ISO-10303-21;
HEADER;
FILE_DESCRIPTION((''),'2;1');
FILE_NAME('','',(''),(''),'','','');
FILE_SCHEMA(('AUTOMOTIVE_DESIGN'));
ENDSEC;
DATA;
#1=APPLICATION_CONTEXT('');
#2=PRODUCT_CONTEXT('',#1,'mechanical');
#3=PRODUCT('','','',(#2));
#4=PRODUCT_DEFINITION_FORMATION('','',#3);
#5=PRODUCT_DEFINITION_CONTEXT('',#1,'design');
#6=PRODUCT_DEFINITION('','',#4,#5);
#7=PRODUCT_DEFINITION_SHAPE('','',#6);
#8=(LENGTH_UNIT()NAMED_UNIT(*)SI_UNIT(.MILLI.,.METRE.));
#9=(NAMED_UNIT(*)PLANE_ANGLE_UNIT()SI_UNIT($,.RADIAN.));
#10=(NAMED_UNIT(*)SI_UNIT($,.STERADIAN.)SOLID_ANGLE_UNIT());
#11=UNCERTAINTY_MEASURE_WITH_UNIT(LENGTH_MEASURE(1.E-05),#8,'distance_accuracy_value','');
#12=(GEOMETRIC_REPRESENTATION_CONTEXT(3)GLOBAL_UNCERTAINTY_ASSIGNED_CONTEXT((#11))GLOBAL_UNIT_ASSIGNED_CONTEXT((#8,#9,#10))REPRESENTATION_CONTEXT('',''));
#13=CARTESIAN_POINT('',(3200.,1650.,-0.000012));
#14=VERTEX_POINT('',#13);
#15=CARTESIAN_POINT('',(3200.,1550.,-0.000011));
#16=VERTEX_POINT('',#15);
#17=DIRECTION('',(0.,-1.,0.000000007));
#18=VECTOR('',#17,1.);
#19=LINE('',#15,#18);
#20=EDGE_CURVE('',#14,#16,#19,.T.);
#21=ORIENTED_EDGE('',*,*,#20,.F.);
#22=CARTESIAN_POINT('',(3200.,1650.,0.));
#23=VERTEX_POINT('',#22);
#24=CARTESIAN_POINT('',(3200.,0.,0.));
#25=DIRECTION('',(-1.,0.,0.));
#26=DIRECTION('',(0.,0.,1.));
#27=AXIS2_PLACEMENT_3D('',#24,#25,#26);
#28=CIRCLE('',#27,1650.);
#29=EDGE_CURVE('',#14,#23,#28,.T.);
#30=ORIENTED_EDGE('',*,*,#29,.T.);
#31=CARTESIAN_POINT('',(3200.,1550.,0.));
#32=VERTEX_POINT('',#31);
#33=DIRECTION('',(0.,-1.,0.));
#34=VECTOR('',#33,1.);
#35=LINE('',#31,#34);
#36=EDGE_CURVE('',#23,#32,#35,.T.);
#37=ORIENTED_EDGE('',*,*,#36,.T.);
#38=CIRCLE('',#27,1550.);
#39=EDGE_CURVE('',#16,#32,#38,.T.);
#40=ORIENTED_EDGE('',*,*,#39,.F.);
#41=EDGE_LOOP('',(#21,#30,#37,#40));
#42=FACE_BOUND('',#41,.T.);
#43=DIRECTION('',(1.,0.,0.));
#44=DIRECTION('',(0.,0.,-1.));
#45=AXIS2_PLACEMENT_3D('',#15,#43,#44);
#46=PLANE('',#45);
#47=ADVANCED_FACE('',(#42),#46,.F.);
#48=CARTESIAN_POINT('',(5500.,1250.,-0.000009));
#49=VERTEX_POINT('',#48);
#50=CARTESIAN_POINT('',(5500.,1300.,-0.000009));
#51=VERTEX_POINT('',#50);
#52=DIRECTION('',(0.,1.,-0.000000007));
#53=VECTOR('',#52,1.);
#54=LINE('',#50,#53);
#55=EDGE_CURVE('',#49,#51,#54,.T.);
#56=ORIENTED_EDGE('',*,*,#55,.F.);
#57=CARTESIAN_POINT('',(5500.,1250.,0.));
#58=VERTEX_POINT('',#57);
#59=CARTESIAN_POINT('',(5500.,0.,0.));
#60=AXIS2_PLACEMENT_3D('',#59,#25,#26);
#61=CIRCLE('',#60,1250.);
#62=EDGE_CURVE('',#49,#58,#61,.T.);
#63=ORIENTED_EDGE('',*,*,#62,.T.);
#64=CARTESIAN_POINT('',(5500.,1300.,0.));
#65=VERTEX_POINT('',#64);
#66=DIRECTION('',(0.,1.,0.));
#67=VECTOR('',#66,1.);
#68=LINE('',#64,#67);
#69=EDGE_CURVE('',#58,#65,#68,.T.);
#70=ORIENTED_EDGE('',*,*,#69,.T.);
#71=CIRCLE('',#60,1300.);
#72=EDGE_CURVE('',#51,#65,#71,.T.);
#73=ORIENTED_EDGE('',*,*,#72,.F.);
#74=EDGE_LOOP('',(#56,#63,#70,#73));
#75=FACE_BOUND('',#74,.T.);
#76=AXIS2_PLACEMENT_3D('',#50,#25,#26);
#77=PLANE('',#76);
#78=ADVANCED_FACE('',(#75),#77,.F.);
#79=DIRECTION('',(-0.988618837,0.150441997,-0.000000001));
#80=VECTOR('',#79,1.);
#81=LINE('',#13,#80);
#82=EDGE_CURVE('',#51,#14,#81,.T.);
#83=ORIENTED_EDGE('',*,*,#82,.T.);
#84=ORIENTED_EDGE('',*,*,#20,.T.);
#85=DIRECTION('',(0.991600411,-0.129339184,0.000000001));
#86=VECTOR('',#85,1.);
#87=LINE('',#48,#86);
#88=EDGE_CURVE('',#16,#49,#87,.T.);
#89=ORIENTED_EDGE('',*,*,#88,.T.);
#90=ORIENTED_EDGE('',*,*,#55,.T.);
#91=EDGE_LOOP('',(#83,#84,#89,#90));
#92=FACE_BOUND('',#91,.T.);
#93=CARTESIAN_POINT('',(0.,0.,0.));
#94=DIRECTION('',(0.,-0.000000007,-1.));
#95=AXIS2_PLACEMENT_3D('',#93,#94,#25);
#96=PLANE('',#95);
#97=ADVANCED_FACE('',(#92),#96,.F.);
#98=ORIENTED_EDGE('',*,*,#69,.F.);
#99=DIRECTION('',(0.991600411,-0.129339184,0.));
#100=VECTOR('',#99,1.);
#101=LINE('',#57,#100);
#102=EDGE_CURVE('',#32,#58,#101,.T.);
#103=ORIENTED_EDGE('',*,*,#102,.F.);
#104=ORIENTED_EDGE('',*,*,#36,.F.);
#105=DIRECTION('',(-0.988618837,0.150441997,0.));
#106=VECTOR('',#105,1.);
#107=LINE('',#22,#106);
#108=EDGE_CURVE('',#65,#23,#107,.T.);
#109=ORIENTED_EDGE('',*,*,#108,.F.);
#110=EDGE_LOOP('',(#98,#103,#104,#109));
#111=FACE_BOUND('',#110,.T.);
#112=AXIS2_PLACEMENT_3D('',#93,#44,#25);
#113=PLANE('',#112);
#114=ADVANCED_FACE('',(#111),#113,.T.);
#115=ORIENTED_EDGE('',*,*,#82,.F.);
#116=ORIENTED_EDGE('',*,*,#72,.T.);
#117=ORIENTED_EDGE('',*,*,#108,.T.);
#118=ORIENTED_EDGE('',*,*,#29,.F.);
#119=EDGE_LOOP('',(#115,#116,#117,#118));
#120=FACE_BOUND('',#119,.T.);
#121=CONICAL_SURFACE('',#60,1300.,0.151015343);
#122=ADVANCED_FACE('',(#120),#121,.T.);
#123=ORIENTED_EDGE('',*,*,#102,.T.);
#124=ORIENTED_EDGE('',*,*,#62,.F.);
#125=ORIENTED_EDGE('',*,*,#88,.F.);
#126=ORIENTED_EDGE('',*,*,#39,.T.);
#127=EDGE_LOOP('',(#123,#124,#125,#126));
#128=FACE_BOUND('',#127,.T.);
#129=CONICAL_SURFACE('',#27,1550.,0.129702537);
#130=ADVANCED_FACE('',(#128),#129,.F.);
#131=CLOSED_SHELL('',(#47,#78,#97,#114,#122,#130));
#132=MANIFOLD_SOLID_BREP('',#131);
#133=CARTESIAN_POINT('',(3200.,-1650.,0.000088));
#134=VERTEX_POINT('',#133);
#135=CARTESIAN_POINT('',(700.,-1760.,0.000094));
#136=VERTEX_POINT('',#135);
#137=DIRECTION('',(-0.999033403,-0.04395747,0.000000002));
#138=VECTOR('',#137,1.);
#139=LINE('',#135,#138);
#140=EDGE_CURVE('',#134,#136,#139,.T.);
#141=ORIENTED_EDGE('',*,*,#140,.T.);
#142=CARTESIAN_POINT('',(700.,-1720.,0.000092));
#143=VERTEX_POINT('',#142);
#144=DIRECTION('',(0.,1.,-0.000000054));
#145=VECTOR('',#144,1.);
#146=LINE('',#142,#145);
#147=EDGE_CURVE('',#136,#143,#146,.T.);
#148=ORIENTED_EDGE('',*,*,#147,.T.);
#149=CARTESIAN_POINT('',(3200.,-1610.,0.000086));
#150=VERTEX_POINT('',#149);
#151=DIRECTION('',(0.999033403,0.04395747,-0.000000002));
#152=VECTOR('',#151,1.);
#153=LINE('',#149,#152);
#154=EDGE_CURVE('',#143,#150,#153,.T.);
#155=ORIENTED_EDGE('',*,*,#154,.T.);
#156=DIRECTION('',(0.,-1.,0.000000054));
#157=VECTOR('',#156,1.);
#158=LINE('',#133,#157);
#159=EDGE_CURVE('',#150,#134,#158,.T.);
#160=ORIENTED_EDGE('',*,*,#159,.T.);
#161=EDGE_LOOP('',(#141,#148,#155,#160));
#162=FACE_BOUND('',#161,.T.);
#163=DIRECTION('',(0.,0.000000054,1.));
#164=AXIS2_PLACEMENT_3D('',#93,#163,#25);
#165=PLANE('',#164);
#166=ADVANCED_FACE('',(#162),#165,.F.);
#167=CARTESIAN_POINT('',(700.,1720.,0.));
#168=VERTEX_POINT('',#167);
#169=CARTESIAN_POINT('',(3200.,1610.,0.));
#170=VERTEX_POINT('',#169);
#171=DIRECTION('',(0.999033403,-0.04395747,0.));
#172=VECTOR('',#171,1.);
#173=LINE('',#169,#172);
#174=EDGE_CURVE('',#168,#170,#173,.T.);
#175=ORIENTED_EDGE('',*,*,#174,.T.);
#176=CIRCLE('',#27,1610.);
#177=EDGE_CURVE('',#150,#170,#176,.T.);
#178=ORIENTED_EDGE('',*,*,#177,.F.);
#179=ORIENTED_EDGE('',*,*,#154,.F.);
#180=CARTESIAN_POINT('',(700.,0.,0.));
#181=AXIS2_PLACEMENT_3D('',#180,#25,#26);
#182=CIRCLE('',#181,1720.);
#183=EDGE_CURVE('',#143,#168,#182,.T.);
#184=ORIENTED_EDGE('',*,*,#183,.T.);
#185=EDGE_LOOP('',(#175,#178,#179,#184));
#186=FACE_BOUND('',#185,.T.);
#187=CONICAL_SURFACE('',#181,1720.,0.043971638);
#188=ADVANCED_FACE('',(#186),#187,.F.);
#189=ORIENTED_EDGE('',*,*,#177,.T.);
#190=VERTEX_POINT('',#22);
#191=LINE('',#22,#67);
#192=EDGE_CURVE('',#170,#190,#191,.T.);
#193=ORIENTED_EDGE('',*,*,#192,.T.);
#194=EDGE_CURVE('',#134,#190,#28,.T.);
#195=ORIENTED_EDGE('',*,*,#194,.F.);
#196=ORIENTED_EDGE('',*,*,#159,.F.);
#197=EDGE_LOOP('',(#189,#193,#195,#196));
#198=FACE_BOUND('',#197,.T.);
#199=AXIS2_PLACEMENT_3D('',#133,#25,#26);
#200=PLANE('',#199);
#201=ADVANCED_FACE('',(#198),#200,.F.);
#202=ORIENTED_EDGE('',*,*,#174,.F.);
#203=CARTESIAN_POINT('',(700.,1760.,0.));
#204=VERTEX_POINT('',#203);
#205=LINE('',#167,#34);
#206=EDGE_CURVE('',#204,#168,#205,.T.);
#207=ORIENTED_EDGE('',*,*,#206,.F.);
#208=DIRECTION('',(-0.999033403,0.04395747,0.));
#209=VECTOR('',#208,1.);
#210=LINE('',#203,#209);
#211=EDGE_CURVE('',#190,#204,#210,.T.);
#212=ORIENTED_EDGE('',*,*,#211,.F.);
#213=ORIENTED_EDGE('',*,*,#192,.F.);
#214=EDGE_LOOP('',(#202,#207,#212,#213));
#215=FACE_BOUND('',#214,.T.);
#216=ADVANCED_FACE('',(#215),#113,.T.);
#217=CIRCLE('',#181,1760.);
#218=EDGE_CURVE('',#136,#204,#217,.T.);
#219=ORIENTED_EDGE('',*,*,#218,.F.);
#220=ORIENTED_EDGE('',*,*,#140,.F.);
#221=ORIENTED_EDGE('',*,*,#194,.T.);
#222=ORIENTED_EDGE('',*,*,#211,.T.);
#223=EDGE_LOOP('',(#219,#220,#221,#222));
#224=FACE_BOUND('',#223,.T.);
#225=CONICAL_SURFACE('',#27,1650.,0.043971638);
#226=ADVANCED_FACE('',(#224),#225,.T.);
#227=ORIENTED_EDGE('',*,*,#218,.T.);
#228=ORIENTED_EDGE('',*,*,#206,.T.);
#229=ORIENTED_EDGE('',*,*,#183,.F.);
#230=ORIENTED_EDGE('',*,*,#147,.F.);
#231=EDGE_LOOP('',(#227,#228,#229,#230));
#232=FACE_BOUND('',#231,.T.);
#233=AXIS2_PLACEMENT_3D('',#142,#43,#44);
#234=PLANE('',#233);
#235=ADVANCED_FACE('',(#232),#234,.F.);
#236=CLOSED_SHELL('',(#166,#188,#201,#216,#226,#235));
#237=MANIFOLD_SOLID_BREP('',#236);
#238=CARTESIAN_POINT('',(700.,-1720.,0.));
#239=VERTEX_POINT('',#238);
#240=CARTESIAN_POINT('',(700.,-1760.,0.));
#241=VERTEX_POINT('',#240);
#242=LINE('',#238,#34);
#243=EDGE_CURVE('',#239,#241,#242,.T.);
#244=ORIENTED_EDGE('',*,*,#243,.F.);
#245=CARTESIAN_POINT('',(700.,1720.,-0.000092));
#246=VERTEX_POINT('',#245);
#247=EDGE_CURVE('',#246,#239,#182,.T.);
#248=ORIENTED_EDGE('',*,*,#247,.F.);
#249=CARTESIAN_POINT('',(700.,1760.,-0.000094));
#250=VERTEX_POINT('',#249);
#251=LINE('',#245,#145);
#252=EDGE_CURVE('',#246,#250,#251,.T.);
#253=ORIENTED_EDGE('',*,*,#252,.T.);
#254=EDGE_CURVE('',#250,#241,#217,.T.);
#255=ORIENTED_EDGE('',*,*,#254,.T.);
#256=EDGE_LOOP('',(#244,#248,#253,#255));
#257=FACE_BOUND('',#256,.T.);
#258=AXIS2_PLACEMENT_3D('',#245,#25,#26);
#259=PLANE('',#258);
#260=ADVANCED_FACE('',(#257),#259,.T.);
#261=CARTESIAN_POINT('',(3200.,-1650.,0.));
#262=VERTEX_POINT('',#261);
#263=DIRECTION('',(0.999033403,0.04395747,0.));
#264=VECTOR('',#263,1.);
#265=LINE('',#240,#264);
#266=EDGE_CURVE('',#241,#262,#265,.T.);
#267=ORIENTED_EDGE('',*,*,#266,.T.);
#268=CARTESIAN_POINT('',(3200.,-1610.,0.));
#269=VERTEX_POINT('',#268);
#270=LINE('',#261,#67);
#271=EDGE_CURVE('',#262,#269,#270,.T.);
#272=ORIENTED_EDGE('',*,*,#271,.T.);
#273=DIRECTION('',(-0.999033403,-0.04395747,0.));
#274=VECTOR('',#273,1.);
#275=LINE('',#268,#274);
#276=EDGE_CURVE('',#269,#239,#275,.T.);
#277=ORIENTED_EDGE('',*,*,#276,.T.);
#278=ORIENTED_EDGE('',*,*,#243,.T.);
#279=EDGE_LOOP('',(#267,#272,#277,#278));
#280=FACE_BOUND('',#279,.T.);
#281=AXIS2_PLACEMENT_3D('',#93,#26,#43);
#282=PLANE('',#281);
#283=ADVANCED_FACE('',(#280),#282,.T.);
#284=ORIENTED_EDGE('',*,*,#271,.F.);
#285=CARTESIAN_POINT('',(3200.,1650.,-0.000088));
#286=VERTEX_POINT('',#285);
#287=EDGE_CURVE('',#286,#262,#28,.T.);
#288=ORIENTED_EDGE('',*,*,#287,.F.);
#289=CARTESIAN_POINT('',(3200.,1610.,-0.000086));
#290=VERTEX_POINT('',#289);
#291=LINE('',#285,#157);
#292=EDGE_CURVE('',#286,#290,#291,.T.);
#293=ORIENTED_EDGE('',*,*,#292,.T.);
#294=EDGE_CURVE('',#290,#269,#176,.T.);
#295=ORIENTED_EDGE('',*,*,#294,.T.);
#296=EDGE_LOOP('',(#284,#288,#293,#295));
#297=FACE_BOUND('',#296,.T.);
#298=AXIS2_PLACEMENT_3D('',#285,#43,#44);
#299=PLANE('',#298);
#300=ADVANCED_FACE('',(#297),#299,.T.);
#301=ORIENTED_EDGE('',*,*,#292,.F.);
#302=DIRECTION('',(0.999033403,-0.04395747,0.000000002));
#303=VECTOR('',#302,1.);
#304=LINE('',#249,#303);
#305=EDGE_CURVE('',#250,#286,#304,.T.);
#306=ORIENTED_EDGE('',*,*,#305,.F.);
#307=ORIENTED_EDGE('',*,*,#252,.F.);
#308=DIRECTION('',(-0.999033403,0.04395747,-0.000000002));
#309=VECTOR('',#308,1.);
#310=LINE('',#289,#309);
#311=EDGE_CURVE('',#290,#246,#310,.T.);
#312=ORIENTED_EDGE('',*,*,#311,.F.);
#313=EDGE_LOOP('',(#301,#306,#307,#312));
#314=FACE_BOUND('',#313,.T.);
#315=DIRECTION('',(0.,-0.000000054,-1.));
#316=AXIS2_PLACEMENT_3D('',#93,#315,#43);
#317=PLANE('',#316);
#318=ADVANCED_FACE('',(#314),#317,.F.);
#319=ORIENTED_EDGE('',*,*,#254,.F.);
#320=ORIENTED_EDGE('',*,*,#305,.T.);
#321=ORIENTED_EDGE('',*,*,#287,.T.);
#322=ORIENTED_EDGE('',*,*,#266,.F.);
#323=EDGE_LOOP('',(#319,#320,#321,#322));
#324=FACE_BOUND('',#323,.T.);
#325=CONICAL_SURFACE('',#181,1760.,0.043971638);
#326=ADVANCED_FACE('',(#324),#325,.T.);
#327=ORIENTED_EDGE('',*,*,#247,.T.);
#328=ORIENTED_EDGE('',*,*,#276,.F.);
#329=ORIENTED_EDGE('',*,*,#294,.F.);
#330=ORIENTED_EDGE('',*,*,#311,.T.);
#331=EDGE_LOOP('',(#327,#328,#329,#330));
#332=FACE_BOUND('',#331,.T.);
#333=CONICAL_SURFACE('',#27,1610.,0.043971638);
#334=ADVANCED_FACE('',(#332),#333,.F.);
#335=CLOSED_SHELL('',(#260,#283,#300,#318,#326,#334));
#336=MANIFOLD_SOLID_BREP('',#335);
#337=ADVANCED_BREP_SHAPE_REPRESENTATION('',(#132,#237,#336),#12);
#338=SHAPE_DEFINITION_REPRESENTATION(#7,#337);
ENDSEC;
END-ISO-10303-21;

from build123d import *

# Parameters (mm, degrees)
REVOLVE1_ANGLE = 179.99999693
REVOLVE2_ANGLE = 179.99999693
REVOLVE3_ANGLE = 359.999999589


with BuildPart() as part:
    # Sketch1 → Revolve1 (revolve)
    with BuildSketch(Plane.XY):
        Polygon((700, 1720), (700, 1760), (3200, 1650), (3200, 1610), align=None)
    revolve(axis=Axis((0, 0, 0), (1, 0, 0)), revolution_arc=REVOLVE1_ANGLE)


with BuildPart() as body_2:
    # Sketch2 → Revolve2 (revolve)
    with BuildSketch(Plane.XY):
        Polygon((700, -1720), (700, -1760), (3200, -1650), (3200, -1610), align=None)
    revolve(axis=Axis((0, 0, 0), (1, 0, 0)), revolution_arc=REVOLVE2_ANGLE)


with BuildPart() as body_3:
    # Sketch3 → Revolve3 (revolve)
    with BuildSketch(Plane.XY):
        Polygon((3200, 1550), (3200, 1650), (5500, 1300), (5500, 1250), align=None)
    revolve(axis=Axis((0, 0, 0), (1, 0, 0)), revolution_arc=REVOLVE3_ANGLE)


solid = Compound([part.part, body_2.part, body_3.part])
